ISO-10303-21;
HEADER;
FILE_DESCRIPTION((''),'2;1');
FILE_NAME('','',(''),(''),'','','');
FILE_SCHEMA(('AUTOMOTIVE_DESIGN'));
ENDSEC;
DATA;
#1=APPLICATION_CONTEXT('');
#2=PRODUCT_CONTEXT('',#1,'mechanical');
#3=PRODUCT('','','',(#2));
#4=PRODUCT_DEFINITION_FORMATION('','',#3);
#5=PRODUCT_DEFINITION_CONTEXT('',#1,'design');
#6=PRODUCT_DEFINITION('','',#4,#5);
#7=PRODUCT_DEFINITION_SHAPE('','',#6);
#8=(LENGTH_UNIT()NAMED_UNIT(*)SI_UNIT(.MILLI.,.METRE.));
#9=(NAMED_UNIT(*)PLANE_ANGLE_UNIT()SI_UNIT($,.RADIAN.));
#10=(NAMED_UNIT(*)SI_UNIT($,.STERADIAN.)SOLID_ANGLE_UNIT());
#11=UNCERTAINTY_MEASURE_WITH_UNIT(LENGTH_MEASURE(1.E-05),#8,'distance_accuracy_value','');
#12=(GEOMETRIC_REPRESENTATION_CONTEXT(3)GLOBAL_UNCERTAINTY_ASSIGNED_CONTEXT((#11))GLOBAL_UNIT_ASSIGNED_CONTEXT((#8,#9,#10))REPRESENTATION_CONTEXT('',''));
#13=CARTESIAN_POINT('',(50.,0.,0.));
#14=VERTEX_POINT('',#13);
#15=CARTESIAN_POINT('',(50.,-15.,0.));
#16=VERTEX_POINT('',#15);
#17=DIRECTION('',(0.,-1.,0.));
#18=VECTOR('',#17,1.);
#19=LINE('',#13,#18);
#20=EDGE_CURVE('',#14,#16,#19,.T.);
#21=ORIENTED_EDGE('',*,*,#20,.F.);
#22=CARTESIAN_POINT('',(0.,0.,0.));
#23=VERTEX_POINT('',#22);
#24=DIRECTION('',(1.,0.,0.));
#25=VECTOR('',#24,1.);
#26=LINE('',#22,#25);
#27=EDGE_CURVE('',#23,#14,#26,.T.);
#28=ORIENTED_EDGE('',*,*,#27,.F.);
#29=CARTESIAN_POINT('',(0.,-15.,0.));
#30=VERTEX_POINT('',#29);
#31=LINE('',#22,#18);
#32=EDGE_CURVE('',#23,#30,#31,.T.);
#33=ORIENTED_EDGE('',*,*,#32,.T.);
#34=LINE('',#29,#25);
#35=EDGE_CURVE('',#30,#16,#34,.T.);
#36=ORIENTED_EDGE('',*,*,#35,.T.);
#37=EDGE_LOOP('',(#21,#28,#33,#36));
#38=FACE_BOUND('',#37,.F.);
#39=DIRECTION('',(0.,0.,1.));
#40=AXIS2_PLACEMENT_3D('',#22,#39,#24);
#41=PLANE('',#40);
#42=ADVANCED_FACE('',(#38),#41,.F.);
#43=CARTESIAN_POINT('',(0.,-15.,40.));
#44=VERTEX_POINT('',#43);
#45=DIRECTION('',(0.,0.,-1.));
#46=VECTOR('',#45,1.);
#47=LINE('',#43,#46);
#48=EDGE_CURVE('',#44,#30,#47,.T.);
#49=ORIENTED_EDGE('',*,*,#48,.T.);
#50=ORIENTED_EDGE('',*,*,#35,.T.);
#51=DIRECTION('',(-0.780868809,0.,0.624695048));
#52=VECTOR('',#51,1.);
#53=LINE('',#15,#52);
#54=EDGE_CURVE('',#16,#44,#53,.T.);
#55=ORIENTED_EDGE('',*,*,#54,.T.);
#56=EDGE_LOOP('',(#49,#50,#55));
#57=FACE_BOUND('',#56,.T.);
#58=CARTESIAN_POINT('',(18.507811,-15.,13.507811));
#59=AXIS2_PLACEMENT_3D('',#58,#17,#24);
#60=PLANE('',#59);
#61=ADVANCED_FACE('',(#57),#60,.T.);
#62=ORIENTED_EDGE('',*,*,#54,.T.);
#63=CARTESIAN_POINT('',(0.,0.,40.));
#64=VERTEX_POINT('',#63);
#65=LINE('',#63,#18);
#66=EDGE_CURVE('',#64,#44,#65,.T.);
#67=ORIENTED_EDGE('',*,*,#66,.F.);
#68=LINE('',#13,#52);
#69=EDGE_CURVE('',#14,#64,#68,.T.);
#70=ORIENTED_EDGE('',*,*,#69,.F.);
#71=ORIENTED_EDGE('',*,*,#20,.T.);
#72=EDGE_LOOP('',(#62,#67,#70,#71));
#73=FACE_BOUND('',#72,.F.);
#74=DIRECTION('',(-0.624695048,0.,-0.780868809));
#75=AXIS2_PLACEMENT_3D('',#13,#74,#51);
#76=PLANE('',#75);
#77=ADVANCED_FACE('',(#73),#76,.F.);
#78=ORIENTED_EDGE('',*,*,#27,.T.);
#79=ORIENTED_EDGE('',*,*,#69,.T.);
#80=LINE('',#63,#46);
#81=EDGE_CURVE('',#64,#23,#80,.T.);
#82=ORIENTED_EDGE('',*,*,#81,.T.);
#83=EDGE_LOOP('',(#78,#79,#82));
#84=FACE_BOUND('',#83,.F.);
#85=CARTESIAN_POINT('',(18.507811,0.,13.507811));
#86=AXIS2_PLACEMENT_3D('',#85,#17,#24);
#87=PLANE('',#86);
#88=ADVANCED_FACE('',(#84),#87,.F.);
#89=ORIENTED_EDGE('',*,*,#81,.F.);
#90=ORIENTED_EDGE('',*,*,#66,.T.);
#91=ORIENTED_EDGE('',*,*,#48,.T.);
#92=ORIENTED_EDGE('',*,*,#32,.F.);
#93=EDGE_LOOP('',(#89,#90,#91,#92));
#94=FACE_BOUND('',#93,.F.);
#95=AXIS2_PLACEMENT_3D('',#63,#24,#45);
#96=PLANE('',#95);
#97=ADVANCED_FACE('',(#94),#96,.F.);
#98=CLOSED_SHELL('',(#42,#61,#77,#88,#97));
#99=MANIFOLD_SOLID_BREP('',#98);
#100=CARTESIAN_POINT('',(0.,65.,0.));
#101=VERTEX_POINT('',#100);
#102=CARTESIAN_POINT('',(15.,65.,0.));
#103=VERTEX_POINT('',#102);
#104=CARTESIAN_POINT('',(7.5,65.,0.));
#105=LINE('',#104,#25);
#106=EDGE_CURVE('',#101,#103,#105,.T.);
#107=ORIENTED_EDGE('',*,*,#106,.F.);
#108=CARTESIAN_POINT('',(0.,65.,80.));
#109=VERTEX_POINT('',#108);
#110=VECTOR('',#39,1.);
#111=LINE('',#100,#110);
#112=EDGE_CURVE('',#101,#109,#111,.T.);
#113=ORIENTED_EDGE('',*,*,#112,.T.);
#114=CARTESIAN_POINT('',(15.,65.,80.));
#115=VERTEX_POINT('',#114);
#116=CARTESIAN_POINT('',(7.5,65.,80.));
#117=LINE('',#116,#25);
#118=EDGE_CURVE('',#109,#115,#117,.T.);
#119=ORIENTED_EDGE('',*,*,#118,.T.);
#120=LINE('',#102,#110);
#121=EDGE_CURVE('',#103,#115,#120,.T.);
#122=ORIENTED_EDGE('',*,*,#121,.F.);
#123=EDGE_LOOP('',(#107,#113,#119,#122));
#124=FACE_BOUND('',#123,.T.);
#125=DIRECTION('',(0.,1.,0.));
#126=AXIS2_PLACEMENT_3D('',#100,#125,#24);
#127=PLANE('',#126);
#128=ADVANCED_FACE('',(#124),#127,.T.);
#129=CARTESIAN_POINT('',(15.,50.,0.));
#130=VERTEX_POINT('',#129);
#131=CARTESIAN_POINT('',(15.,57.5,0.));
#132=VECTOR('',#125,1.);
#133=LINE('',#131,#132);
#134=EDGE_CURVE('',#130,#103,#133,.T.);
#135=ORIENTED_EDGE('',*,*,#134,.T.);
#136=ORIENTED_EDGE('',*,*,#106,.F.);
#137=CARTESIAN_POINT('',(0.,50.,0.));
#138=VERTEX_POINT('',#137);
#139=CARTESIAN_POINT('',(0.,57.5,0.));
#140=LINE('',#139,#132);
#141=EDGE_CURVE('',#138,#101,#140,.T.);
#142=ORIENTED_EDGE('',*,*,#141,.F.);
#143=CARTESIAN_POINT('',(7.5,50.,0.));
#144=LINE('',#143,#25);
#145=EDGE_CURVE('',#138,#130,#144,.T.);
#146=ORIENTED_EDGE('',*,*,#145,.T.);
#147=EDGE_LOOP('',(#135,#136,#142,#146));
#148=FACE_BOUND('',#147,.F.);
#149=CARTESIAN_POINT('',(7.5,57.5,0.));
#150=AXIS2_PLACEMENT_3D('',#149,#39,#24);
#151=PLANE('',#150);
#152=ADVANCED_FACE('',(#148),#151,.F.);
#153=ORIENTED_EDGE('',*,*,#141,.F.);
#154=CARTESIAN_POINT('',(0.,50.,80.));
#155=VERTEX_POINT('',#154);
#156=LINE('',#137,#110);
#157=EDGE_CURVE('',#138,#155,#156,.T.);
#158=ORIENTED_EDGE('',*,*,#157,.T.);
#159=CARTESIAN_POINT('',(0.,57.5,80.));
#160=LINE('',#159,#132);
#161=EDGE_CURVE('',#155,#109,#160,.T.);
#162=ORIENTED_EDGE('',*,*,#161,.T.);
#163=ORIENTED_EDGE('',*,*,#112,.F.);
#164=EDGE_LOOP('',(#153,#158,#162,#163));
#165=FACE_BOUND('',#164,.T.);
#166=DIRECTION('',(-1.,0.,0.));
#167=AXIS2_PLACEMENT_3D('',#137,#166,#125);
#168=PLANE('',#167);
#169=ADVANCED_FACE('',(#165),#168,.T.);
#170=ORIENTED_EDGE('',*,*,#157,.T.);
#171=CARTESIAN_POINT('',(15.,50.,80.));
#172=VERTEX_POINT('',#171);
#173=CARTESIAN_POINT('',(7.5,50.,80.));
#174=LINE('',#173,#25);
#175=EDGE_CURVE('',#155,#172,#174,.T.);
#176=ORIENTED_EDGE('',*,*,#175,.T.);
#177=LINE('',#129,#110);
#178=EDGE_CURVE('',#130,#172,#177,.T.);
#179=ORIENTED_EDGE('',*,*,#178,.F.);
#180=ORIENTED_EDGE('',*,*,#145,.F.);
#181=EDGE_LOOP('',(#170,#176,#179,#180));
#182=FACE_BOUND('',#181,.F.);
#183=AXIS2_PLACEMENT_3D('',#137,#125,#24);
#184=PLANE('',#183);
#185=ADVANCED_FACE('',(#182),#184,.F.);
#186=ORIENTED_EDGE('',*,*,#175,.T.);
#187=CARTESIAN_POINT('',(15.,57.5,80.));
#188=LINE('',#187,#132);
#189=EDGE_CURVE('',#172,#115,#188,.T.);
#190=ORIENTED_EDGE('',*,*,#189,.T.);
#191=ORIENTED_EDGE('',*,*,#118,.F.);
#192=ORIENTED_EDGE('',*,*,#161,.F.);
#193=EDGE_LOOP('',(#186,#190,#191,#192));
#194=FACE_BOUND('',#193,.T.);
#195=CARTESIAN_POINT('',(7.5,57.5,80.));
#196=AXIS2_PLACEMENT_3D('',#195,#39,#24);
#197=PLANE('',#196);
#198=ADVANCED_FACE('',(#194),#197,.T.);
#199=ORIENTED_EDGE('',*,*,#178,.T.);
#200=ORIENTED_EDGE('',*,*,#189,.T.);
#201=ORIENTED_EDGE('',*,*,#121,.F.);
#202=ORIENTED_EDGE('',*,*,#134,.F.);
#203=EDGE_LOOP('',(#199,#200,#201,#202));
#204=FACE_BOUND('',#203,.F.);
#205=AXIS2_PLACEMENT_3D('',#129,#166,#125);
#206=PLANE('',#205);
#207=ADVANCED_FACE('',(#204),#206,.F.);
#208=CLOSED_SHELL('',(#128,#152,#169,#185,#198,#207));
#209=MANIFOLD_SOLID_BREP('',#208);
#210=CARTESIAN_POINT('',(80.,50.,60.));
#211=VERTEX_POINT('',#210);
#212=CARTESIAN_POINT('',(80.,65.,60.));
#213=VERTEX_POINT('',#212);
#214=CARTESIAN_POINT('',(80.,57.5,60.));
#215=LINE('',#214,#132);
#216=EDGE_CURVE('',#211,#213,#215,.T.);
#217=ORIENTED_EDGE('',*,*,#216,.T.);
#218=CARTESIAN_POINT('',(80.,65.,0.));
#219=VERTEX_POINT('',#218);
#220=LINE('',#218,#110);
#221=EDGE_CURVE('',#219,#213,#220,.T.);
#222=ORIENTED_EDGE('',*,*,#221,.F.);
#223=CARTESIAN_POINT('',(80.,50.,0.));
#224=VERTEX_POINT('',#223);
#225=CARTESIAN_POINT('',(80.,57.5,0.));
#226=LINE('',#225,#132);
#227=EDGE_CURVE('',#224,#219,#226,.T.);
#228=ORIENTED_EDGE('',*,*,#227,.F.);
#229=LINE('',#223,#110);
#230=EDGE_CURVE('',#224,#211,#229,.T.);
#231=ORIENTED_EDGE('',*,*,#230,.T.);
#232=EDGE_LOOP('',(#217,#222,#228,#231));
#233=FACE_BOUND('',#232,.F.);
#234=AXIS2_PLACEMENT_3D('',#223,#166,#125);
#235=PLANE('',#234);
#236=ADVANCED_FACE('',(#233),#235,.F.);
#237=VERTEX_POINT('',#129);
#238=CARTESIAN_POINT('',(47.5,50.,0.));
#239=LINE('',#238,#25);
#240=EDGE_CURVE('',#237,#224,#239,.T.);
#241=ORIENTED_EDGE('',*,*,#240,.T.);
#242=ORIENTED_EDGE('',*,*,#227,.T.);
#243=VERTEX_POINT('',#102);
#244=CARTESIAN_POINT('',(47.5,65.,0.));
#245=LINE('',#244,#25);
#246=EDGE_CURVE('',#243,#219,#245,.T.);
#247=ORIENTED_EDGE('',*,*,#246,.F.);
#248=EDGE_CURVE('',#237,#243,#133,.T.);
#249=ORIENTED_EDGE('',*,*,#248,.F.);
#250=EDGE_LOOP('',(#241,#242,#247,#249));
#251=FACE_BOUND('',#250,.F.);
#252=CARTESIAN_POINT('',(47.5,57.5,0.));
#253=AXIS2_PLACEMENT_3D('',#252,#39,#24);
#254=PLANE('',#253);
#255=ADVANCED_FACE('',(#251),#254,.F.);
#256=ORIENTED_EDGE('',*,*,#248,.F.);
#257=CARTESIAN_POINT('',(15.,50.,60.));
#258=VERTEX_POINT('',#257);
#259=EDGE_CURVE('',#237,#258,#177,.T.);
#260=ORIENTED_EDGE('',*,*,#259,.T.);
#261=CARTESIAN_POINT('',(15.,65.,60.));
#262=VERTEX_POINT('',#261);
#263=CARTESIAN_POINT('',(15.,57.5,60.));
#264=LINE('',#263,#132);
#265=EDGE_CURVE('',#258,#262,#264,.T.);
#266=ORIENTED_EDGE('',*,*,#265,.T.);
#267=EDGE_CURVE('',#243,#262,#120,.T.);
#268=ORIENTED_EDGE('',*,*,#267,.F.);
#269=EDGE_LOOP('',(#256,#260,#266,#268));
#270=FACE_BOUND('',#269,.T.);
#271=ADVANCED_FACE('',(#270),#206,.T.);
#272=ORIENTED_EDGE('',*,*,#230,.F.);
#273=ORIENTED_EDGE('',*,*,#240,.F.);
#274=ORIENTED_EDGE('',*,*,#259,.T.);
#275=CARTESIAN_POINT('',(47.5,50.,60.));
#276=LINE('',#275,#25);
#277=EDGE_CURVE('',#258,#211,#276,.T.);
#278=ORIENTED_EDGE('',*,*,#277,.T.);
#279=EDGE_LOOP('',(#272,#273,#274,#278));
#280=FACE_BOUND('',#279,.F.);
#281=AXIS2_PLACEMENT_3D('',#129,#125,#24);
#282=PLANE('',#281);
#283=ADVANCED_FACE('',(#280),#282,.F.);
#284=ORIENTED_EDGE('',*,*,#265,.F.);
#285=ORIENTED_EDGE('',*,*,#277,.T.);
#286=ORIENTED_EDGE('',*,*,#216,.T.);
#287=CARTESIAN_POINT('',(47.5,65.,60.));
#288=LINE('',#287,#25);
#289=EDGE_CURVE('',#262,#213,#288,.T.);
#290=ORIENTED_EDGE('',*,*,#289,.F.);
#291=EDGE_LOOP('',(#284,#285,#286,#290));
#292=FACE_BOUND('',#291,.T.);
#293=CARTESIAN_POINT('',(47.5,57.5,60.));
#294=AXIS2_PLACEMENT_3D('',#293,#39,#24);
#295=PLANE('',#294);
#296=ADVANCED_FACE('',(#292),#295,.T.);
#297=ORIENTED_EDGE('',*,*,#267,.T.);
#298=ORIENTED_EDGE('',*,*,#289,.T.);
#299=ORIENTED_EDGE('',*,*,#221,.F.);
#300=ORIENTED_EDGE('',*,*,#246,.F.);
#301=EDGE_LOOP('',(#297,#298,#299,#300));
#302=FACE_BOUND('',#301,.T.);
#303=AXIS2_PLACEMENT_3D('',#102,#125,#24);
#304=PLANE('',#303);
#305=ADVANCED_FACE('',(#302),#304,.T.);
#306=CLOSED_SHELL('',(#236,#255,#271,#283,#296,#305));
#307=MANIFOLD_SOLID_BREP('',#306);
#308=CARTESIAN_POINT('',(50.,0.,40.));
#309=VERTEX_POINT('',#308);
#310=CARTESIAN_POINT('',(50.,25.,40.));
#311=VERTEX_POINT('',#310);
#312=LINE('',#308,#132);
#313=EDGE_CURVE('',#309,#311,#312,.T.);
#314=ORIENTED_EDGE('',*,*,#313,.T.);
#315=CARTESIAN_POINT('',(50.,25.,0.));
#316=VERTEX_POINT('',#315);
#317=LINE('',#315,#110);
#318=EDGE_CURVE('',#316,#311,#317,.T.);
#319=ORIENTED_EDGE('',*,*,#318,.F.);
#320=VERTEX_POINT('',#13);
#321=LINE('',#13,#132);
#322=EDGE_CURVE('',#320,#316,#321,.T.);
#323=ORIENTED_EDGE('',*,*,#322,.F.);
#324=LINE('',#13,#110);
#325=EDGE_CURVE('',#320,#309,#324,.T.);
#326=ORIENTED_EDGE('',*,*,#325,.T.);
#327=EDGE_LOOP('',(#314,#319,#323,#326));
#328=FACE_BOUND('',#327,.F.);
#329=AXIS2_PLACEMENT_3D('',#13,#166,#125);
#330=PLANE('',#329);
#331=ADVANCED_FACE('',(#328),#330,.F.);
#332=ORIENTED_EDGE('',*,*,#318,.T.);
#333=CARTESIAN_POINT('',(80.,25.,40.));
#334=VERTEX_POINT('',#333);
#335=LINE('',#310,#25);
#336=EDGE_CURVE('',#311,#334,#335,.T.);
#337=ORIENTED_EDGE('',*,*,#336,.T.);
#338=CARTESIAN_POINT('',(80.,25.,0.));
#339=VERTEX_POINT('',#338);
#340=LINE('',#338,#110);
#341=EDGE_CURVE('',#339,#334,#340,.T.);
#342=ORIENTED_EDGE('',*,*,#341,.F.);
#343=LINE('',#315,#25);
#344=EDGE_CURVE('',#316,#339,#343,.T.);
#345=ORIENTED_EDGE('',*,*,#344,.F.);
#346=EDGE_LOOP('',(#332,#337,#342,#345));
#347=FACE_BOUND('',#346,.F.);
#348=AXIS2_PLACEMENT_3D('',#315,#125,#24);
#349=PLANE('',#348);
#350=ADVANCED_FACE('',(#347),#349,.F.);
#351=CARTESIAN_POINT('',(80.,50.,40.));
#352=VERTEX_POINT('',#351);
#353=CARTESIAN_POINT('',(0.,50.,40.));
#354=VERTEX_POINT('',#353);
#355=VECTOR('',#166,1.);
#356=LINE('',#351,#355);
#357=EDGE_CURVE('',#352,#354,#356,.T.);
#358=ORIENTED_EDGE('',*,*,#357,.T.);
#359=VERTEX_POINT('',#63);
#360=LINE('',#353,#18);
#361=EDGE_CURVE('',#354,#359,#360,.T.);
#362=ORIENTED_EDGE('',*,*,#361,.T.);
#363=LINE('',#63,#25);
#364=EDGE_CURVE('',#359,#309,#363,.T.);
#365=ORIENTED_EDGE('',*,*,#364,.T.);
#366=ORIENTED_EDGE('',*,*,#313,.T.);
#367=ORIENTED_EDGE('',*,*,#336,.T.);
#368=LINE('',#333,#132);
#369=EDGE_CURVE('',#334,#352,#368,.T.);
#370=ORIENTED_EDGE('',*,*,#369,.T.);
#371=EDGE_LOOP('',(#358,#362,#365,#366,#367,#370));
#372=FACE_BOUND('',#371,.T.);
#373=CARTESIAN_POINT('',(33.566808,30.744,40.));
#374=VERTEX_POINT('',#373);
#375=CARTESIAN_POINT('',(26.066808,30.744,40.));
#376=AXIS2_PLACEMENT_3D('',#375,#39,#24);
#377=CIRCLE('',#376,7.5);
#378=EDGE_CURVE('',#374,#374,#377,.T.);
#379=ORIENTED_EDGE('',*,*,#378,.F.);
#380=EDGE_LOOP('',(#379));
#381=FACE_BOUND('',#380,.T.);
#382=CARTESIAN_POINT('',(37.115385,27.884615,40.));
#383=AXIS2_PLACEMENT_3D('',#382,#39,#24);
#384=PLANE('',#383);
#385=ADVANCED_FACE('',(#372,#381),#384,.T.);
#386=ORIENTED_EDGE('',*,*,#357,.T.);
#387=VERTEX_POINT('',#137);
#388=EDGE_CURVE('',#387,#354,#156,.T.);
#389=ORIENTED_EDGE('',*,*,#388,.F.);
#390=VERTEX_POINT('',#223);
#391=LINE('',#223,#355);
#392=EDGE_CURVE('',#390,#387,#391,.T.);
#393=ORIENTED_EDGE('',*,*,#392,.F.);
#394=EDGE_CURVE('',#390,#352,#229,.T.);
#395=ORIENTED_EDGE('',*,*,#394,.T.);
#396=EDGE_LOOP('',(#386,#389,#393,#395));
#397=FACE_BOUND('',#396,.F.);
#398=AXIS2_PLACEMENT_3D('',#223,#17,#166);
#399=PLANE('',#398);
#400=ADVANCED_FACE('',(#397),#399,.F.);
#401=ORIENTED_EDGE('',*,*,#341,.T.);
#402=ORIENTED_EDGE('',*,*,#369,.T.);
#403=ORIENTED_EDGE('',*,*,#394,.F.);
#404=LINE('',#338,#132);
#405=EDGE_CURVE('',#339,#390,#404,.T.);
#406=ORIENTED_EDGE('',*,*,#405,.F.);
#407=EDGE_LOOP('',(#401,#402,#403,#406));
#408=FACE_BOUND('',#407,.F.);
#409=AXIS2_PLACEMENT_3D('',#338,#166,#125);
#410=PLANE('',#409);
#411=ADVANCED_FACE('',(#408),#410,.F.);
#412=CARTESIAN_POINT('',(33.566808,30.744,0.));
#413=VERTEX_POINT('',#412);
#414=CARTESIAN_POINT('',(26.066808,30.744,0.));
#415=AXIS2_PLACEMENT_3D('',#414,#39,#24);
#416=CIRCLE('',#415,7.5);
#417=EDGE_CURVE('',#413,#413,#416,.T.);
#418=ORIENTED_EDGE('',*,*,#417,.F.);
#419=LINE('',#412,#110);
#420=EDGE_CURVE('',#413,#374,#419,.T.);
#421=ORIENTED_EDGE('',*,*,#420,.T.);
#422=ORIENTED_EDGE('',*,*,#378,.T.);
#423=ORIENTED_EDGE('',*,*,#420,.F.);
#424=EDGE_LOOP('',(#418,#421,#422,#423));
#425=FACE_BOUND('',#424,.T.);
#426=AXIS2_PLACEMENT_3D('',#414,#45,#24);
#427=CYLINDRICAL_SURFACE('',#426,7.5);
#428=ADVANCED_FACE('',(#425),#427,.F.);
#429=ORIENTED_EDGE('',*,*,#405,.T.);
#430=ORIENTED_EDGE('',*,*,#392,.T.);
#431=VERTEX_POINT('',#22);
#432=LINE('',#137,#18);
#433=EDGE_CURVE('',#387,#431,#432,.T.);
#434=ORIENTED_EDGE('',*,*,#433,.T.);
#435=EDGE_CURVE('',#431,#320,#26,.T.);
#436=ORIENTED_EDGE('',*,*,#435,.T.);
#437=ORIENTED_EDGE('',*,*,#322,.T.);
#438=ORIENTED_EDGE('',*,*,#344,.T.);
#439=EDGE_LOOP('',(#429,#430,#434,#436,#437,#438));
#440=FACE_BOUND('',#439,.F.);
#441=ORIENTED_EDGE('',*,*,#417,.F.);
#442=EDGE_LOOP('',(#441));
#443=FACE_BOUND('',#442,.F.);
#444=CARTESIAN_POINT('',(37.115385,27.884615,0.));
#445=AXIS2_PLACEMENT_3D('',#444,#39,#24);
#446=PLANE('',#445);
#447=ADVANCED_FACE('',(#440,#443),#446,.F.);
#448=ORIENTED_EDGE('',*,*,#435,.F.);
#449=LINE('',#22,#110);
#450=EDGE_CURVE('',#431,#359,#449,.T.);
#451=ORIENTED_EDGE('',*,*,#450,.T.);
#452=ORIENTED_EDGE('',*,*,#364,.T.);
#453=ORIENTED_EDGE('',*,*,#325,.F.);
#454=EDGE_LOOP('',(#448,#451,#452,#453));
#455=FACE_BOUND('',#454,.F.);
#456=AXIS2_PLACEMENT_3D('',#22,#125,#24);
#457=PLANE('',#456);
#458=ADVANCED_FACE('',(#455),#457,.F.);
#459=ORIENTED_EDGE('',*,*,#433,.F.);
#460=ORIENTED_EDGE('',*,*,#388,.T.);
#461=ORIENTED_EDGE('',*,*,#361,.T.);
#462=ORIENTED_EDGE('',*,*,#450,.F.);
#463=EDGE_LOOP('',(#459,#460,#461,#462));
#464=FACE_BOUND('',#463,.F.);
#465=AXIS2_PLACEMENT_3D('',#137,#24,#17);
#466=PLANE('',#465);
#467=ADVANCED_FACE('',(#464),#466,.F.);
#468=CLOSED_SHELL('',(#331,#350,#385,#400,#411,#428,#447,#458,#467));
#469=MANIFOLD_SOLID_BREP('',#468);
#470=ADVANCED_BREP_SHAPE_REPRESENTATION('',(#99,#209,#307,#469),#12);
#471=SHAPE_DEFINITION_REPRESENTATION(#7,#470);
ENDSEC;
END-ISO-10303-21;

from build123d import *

# Parameters (mm, degrees)
F1_DEPTH = 15
F3_DEPTH = 40
F4_W     = 15
F4_H     = 15
F5_DEPTH = 80
F6_W     = 65
F6_H     = 15
F7_DEPTH = 60
F8_R     = 7.5
F9_DEPTH = 40


with BuildPart() as f1:
    # F0 (on Front) → F1 (new body)
    with BuildSketch(Plane.XZ):
        Polygon((0, 40), (0, 0), (50, 0), align=None)
    extrude(amount=F1_DEPTH)


with BuildPart() as f3:
    # F2 (on Top) → F3 (new body)
    with BuildSketch(Plane.XY):
        Polygon((0, 50), (0, 0), (50, 0), (50, 25), (80, 25), (80, 50), align=None)
    extrude(amount=F3_DEPTH)

    # F8 (on Top) → F9 (cut, through all)
    with BuildSketch(Plane.XY):
        with Locations((26.066808, 30.744)):
            Circle(F8_R)
    extrude(amount=F9_DEPTH, mode=Mode.SUBTRACT)


with BuildPart() as f5:
    # F4 (on Top) → F5 (new body)
    with BuildSketch(Plane.XY):
        with Locations((7.5, 57.5)):
            Rectangle(F4_W, F4_H)
    extrude(amount=F5_DEPTH)


with BuildPart() as f7:
    # F6 (on Top) → F7 (new body)
    with BuildSketch(Plane.XY):
        with Locations((47.5, 57.5)):
            Rectangle(F6_W, F6_H)
    extrude(amount=F7_DEPTH)


solid = Compound([f1.part, f3.part, f5.part, f7.part])
